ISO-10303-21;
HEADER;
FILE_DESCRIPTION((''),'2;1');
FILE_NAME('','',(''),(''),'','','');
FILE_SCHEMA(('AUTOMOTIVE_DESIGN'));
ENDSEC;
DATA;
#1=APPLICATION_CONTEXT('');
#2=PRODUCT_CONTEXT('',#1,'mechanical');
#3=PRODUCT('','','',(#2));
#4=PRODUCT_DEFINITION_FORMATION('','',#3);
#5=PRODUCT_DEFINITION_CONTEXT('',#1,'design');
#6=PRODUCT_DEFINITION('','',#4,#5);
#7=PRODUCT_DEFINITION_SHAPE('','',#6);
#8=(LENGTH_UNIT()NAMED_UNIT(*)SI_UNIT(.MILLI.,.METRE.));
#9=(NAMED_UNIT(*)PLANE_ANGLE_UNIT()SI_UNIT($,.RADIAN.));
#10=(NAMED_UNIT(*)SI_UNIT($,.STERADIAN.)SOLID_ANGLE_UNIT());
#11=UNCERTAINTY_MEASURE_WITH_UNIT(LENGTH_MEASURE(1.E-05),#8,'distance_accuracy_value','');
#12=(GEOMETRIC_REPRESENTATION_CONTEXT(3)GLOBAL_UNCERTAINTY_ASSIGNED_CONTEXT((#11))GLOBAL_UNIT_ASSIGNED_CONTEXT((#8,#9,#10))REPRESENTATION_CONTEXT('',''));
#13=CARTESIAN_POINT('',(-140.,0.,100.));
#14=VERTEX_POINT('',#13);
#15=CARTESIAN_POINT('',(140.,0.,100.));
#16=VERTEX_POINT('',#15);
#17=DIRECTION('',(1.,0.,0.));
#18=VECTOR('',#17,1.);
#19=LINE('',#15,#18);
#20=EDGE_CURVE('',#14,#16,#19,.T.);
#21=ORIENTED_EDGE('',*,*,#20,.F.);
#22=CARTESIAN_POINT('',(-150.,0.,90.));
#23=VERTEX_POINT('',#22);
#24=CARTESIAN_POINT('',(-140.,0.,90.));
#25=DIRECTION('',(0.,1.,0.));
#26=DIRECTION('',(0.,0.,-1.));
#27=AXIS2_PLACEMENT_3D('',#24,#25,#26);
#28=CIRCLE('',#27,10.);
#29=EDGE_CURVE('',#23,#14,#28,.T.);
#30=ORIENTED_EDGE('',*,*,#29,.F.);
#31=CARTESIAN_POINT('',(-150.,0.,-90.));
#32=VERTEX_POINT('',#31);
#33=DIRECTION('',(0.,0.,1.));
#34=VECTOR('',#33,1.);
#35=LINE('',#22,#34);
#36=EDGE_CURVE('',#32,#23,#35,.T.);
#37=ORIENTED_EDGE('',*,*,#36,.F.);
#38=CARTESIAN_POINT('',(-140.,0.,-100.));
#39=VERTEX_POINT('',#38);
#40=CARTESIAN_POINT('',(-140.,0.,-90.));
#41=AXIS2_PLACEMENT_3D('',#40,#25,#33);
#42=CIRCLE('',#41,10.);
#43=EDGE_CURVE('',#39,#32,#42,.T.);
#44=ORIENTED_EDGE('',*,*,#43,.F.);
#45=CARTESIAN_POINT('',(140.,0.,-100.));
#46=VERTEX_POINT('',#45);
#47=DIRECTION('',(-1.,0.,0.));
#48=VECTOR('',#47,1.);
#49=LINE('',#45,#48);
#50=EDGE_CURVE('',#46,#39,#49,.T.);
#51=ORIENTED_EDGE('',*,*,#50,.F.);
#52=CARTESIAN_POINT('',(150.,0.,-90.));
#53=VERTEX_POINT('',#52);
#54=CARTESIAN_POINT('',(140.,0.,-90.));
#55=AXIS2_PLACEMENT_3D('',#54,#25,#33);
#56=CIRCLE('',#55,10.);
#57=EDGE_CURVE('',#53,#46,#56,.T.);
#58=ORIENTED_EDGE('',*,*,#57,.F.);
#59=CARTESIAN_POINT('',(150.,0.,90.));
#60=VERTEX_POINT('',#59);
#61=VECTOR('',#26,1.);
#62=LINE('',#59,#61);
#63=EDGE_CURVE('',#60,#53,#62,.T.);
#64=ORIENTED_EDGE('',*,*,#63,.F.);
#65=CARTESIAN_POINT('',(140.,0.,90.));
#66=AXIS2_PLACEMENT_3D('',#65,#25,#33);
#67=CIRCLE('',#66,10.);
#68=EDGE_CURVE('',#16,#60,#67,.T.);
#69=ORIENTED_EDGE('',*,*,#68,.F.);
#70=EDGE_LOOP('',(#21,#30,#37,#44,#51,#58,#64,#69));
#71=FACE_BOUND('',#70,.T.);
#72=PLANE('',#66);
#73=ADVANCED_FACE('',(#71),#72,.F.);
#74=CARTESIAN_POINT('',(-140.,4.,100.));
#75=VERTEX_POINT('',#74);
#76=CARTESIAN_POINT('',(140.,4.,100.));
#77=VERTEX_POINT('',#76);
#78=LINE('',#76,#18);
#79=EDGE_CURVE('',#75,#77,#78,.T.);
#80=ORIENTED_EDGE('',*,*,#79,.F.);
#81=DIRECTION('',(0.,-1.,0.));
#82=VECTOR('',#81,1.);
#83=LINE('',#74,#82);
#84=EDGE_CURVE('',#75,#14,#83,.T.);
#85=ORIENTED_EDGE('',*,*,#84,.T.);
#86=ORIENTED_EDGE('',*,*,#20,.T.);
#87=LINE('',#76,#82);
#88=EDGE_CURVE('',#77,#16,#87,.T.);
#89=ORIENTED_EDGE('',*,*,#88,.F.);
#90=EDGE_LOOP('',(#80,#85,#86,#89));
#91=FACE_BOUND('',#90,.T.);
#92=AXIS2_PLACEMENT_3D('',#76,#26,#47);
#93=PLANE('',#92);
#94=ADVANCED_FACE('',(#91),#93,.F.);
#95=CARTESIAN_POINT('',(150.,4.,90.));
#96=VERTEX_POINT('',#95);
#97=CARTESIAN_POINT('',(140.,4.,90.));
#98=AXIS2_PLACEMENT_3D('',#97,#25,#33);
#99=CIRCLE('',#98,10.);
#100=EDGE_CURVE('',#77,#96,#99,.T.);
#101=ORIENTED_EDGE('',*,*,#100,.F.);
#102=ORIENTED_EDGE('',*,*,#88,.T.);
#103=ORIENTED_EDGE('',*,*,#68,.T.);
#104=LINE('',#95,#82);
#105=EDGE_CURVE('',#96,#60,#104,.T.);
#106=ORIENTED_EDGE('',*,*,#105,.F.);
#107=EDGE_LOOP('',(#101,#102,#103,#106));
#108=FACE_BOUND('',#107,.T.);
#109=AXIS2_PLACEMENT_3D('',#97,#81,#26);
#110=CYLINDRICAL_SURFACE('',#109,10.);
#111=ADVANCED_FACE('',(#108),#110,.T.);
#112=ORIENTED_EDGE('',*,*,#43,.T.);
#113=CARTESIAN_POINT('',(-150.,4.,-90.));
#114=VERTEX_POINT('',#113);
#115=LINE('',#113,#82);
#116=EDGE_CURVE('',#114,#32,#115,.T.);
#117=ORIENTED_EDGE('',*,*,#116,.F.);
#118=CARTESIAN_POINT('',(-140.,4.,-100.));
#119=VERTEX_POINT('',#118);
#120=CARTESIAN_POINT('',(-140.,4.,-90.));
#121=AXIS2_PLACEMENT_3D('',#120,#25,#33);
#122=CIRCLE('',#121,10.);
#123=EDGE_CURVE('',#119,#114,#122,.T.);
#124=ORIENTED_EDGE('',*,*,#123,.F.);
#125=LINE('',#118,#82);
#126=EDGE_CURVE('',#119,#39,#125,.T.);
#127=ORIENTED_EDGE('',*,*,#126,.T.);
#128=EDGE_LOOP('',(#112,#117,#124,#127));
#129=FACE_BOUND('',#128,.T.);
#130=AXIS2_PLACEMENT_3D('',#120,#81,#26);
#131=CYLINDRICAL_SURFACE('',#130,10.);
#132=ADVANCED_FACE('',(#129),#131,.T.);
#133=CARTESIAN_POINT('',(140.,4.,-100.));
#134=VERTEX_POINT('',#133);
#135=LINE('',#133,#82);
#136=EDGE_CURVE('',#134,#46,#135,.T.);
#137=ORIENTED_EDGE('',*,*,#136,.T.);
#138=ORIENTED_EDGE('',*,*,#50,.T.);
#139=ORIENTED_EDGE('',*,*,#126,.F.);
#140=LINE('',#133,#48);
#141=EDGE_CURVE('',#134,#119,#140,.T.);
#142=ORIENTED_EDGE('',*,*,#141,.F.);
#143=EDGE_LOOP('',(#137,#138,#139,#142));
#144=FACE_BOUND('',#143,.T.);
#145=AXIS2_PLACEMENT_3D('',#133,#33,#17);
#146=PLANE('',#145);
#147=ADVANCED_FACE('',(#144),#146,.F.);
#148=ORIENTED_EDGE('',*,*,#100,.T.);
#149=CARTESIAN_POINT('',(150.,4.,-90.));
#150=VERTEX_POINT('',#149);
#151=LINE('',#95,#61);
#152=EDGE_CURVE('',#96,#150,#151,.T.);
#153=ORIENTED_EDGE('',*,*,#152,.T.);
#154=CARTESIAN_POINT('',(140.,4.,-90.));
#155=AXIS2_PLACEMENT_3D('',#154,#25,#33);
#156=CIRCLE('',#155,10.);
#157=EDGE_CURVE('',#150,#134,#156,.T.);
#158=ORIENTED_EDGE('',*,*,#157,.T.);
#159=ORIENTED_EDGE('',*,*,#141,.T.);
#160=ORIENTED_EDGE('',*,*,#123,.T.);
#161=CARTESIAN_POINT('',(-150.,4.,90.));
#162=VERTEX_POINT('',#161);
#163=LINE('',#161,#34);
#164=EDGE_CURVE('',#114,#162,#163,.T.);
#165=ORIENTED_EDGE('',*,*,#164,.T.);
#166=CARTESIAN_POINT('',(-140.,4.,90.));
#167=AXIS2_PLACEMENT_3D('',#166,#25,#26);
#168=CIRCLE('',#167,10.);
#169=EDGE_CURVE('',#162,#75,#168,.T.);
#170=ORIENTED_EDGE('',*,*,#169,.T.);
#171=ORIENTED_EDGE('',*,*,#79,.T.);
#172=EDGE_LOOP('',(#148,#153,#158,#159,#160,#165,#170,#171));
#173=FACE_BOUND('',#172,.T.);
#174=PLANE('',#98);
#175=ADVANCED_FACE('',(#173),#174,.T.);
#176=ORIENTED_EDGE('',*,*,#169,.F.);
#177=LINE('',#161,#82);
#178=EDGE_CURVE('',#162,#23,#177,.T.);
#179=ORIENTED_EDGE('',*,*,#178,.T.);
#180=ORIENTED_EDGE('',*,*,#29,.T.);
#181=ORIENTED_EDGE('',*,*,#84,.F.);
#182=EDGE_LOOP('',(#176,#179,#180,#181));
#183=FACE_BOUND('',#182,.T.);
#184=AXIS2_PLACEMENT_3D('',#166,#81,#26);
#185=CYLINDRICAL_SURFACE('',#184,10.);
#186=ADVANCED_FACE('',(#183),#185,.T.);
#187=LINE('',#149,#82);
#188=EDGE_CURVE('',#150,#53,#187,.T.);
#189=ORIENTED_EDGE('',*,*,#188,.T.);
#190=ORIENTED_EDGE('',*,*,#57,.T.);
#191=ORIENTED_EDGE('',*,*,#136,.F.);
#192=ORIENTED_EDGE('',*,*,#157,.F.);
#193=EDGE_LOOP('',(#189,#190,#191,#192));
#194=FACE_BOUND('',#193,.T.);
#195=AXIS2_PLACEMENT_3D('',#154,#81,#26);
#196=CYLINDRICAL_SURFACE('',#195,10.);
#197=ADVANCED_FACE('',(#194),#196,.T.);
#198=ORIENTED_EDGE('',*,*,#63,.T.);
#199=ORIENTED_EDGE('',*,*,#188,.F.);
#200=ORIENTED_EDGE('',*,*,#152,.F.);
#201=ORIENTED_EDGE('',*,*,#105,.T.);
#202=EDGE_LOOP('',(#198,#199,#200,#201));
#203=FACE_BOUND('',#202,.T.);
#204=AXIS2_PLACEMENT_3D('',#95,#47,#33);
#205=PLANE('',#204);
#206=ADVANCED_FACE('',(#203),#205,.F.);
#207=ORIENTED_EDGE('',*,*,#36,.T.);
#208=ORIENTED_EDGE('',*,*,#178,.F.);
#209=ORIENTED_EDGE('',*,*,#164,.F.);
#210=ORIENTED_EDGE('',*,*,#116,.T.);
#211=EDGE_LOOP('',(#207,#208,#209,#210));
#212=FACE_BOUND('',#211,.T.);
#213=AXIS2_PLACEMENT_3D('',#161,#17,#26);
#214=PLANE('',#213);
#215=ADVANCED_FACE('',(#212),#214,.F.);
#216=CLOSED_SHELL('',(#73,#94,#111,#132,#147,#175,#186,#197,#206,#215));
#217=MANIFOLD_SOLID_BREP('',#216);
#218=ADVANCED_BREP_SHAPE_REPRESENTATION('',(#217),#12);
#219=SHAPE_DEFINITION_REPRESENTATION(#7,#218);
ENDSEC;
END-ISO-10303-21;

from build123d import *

# Parameters (mm, degrees)
BOSS_EXTRUDE1_DEPTH = 4


with BuildPart() as part:
    # Sketch1 → Boss-Extrude1 (new body)
    with BuildSketch(Plane(origin=(0, 0, 0), x_dir=(1, 0, 0), z_dir=(0, 1, 0))):
        with BuildLine():
            Line((140, -100), (-140, -100))
            ThreePointArc((-140, -100), (-147.071067812, -97.071067812), (-150, -90))
            Line((-150, -90), (-150, 90))
            ThreePointArc((-150, 90), (-147.071067812, 97.071067812), (-140, 100))
            Line((-140, 100), (140, 100))
            ThreePointArc((140, 100), (147.071067812, 97.071067812), (150, 90))
            Line((150, 90), (150, -90))
            ThreePointArc((150, -90), (147.071067812, -97.071067812), (140, -100))
        make_face()
    extrude(amount=BOSS_EXTRUDE1_DEPTH)


solid = part.part
